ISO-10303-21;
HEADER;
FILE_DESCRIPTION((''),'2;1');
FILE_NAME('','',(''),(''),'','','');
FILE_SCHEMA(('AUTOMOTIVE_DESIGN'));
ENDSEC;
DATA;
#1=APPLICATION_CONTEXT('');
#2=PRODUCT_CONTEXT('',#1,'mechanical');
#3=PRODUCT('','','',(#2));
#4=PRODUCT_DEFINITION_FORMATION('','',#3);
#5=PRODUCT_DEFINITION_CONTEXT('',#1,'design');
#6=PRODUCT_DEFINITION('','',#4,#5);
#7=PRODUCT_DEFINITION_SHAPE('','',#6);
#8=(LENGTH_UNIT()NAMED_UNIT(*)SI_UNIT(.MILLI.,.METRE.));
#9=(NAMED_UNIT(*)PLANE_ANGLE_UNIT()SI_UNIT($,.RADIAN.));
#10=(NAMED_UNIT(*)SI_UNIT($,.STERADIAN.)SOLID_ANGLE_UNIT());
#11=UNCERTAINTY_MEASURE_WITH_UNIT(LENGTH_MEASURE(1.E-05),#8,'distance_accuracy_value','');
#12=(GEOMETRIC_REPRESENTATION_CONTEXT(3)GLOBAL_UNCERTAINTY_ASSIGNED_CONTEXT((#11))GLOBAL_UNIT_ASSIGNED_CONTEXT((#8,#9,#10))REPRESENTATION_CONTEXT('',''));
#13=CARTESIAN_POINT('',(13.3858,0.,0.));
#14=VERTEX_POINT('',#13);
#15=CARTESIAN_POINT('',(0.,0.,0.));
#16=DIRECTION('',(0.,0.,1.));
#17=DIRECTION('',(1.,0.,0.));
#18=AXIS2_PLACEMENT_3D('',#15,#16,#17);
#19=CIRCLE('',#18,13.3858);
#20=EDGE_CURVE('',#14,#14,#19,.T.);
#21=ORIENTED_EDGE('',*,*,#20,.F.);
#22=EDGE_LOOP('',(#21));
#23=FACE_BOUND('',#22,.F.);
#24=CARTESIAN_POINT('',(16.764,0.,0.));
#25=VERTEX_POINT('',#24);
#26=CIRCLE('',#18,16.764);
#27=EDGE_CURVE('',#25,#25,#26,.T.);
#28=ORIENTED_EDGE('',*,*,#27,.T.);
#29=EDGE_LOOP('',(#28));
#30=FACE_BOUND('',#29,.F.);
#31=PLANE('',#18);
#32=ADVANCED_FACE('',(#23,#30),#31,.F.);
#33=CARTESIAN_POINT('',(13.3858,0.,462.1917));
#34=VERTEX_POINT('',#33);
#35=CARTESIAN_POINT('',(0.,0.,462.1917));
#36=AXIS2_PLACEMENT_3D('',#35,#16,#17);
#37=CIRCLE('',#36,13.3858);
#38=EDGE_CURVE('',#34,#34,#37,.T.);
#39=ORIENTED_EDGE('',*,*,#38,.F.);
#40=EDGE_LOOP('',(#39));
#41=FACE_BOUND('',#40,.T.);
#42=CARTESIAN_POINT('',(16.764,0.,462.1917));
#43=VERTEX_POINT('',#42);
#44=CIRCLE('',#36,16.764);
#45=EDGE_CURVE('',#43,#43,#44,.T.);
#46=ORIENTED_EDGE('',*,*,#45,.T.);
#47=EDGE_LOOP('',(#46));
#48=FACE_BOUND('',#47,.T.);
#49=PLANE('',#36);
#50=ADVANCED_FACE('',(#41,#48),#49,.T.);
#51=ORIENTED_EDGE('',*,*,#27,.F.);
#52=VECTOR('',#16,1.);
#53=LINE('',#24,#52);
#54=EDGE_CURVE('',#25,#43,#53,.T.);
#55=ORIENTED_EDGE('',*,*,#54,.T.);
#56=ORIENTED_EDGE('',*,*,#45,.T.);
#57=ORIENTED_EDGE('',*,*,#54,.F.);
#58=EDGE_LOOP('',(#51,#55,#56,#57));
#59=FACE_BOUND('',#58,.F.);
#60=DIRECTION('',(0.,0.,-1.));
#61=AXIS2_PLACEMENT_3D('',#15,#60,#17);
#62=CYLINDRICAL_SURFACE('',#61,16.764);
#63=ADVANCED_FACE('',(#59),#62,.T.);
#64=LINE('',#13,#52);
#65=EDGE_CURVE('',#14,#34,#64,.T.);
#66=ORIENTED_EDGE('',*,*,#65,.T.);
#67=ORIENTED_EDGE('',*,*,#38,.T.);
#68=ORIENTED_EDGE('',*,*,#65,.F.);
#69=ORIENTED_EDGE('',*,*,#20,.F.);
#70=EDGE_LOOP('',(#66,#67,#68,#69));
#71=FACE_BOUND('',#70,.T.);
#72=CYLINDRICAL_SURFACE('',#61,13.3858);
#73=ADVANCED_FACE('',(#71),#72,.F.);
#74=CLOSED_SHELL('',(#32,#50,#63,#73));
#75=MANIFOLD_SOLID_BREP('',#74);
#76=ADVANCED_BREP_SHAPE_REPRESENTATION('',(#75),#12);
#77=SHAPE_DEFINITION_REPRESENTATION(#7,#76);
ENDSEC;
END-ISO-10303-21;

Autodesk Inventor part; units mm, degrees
ref_plane "YZ Plane" through (0, 0, 0) normal (1, 0, 0) x (0, 1, 0)
ref_plane "Start Plane" through (0, 0, 0) normal (0, 0, 1) x (1, 0, 0)
ref_plane "End Plane" through (0, 0, 462.1917) normal (0, 0, 1) x (1, 0, 0)
sketch "Sketch" plane through (0, 0, 0) normal (0, 0, 1) x (1, 0, 0)
  circle A0 centre (0, 0) radius 13.3858
  circle A1 centre (0, 0) radius 16.764
  dimension "d0" = 33.528
  dimension "d1" = 3.3782
extrude "Body" add sketch "Sketch" along normal up to surface (462.1917 mm away) from surface at 0
sketch "Sketch3" plane through (0, 0, 0) normal (0, 0, 1) x (1, 0, 0)
  line L0 (0, 0) -> (10, 0)
ref_plane "Work Plane3" through (0, 0, 0) normal (0, -1, 0) x (1, 0, 0)
sketch "Sketch4" plane through (0, 0, 0) normal (0, -1, 0) x (1, 0, 0)
  line L0 (-2, 0) -> (12, 0) projected
  line L1 (-2, 462.1917) -> (12, 462.1917) projected
  dimension "d7" = 462.1917
equation "\"d0\" = G_H"
equation "\"d1\" = G_T"
equation "\"d2\" = G_L"
equation "\"G_H\" = 33.528"
equation "\"G_T\" = 3.3782"
equation "\"G_L\" = d7"
equation "\"G_OFFSET_START\" = 0"
equation "\"G_OFFSET_END\" = 0"
equation "\"d5\" = G_OFFSET_END + B_L"
equation "\"B_L\" = 462.19168"
properties part number "ANSI - 1 x 0.133 - 18.197" material "Steel, Mild"
